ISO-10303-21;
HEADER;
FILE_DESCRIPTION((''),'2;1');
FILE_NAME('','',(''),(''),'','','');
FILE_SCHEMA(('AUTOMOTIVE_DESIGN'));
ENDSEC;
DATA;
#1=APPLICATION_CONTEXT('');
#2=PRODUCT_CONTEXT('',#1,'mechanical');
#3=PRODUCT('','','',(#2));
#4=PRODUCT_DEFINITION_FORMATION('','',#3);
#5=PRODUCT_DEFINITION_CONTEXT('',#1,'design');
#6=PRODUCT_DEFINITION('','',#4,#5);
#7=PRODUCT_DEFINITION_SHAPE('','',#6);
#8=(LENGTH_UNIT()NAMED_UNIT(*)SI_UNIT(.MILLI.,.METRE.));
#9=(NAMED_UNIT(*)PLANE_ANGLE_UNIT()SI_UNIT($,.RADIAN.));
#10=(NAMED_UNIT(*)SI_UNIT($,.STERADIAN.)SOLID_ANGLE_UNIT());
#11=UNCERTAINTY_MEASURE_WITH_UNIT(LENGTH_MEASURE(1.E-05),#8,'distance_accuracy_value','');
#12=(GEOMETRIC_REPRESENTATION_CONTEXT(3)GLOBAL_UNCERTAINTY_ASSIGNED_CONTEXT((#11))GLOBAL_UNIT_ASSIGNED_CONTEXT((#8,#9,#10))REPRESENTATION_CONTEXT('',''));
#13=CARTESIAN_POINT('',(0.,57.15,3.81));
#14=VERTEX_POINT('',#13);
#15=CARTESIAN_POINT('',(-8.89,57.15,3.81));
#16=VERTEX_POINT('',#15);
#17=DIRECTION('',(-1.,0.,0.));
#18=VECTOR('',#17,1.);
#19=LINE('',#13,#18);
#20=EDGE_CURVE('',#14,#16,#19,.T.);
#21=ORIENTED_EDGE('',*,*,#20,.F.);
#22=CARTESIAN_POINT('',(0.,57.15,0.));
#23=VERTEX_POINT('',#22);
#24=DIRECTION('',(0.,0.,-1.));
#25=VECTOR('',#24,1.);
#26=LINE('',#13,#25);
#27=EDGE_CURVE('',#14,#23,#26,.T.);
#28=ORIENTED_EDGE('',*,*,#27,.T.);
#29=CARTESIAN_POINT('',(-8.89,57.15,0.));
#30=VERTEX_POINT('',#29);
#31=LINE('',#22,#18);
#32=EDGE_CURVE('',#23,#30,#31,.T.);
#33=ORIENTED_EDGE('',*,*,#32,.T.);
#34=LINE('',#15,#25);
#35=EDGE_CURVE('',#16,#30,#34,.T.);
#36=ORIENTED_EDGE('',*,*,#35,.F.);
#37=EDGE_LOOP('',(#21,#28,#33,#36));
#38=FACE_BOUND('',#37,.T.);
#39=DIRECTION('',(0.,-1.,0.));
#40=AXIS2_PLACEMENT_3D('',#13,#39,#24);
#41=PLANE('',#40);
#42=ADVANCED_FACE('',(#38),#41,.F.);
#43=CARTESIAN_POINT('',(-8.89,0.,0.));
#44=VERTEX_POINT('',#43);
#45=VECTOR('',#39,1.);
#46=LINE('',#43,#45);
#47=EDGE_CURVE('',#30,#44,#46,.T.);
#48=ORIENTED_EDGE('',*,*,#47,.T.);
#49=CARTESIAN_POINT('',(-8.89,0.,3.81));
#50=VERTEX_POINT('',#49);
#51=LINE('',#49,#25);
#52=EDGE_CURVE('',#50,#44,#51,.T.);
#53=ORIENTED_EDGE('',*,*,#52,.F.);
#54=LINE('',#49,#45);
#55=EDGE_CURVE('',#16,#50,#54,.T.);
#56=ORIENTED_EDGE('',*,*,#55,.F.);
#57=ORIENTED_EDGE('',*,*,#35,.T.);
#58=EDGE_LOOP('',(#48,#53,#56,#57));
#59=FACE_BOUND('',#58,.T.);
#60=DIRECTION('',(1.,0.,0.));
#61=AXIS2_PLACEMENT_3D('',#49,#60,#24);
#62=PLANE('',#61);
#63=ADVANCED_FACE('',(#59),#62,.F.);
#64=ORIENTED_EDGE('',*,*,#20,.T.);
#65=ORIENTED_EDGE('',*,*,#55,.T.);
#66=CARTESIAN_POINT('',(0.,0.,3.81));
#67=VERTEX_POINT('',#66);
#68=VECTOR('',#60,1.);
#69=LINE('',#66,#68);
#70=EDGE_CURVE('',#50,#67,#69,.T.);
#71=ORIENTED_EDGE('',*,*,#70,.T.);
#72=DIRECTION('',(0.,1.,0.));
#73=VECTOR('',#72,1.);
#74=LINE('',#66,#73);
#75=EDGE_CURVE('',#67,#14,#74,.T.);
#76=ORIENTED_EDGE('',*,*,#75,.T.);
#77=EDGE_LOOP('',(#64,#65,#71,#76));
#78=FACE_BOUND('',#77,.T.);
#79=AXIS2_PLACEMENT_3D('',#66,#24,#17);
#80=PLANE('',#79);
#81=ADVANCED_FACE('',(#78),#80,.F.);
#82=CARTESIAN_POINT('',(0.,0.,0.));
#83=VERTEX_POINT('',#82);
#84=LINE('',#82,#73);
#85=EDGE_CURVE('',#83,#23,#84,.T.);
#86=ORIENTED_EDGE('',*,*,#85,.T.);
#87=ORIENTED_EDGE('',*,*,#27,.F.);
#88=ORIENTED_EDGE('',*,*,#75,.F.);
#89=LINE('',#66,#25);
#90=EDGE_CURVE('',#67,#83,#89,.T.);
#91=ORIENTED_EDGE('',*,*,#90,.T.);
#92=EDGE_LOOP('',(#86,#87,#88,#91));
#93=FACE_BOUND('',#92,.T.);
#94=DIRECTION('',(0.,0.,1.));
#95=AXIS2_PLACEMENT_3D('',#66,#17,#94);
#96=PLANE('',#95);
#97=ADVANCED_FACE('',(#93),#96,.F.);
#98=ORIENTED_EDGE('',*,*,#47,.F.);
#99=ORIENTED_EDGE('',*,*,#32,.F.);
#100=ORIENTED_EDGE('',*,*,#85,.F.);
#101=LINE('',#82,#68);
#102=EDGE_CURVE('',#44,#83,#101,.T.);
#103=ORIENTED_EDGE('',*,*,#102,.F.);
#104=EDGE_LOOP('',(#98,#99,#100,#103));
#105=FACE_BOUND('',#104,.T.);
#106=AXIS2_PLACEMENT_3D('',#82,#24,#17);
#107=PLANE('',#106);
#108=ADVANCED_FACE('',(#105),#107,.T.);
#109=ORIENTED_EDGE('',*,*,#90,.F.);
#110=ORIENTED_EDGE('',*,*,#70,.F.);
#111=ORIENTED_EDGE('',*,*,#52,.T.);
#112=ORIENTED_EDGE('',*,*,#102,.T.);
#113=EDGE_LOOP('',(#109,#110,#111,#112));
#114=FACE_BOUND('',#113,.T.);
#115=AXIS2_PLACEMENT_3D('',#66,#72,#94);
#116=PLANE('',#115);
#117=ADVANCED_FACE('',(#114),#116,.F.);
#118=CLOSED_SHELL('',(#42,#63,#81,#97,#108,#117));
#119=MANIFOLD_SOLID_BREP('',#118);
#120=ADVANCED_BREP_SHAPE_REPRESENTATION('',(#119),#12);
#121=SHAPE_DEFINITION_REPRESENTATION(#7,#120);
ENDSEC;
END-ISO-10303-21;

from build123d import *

# Parameters (mm, degrees)
SKETCH1_W           = 57.15
SKETCH1_H           = 8.89
BOSS_EXTRUDE1_DEPTH = 3.81


with BuildPart() as part:
    # Sketch1 → Boss-Extrude1 (new body)
    with BuildSketch(Plane(origin=(0, 0, 0), x_dir=(0, 1, 0), z_dir=(0, 0, 1))):
        with Locations((28.575, 4.445)):
            Rectangle(SKETCH1_W, SKETCH1_H)
    extrude(amount=BOSS_EXTRUDE1_DEPTH)


solid = part.part
